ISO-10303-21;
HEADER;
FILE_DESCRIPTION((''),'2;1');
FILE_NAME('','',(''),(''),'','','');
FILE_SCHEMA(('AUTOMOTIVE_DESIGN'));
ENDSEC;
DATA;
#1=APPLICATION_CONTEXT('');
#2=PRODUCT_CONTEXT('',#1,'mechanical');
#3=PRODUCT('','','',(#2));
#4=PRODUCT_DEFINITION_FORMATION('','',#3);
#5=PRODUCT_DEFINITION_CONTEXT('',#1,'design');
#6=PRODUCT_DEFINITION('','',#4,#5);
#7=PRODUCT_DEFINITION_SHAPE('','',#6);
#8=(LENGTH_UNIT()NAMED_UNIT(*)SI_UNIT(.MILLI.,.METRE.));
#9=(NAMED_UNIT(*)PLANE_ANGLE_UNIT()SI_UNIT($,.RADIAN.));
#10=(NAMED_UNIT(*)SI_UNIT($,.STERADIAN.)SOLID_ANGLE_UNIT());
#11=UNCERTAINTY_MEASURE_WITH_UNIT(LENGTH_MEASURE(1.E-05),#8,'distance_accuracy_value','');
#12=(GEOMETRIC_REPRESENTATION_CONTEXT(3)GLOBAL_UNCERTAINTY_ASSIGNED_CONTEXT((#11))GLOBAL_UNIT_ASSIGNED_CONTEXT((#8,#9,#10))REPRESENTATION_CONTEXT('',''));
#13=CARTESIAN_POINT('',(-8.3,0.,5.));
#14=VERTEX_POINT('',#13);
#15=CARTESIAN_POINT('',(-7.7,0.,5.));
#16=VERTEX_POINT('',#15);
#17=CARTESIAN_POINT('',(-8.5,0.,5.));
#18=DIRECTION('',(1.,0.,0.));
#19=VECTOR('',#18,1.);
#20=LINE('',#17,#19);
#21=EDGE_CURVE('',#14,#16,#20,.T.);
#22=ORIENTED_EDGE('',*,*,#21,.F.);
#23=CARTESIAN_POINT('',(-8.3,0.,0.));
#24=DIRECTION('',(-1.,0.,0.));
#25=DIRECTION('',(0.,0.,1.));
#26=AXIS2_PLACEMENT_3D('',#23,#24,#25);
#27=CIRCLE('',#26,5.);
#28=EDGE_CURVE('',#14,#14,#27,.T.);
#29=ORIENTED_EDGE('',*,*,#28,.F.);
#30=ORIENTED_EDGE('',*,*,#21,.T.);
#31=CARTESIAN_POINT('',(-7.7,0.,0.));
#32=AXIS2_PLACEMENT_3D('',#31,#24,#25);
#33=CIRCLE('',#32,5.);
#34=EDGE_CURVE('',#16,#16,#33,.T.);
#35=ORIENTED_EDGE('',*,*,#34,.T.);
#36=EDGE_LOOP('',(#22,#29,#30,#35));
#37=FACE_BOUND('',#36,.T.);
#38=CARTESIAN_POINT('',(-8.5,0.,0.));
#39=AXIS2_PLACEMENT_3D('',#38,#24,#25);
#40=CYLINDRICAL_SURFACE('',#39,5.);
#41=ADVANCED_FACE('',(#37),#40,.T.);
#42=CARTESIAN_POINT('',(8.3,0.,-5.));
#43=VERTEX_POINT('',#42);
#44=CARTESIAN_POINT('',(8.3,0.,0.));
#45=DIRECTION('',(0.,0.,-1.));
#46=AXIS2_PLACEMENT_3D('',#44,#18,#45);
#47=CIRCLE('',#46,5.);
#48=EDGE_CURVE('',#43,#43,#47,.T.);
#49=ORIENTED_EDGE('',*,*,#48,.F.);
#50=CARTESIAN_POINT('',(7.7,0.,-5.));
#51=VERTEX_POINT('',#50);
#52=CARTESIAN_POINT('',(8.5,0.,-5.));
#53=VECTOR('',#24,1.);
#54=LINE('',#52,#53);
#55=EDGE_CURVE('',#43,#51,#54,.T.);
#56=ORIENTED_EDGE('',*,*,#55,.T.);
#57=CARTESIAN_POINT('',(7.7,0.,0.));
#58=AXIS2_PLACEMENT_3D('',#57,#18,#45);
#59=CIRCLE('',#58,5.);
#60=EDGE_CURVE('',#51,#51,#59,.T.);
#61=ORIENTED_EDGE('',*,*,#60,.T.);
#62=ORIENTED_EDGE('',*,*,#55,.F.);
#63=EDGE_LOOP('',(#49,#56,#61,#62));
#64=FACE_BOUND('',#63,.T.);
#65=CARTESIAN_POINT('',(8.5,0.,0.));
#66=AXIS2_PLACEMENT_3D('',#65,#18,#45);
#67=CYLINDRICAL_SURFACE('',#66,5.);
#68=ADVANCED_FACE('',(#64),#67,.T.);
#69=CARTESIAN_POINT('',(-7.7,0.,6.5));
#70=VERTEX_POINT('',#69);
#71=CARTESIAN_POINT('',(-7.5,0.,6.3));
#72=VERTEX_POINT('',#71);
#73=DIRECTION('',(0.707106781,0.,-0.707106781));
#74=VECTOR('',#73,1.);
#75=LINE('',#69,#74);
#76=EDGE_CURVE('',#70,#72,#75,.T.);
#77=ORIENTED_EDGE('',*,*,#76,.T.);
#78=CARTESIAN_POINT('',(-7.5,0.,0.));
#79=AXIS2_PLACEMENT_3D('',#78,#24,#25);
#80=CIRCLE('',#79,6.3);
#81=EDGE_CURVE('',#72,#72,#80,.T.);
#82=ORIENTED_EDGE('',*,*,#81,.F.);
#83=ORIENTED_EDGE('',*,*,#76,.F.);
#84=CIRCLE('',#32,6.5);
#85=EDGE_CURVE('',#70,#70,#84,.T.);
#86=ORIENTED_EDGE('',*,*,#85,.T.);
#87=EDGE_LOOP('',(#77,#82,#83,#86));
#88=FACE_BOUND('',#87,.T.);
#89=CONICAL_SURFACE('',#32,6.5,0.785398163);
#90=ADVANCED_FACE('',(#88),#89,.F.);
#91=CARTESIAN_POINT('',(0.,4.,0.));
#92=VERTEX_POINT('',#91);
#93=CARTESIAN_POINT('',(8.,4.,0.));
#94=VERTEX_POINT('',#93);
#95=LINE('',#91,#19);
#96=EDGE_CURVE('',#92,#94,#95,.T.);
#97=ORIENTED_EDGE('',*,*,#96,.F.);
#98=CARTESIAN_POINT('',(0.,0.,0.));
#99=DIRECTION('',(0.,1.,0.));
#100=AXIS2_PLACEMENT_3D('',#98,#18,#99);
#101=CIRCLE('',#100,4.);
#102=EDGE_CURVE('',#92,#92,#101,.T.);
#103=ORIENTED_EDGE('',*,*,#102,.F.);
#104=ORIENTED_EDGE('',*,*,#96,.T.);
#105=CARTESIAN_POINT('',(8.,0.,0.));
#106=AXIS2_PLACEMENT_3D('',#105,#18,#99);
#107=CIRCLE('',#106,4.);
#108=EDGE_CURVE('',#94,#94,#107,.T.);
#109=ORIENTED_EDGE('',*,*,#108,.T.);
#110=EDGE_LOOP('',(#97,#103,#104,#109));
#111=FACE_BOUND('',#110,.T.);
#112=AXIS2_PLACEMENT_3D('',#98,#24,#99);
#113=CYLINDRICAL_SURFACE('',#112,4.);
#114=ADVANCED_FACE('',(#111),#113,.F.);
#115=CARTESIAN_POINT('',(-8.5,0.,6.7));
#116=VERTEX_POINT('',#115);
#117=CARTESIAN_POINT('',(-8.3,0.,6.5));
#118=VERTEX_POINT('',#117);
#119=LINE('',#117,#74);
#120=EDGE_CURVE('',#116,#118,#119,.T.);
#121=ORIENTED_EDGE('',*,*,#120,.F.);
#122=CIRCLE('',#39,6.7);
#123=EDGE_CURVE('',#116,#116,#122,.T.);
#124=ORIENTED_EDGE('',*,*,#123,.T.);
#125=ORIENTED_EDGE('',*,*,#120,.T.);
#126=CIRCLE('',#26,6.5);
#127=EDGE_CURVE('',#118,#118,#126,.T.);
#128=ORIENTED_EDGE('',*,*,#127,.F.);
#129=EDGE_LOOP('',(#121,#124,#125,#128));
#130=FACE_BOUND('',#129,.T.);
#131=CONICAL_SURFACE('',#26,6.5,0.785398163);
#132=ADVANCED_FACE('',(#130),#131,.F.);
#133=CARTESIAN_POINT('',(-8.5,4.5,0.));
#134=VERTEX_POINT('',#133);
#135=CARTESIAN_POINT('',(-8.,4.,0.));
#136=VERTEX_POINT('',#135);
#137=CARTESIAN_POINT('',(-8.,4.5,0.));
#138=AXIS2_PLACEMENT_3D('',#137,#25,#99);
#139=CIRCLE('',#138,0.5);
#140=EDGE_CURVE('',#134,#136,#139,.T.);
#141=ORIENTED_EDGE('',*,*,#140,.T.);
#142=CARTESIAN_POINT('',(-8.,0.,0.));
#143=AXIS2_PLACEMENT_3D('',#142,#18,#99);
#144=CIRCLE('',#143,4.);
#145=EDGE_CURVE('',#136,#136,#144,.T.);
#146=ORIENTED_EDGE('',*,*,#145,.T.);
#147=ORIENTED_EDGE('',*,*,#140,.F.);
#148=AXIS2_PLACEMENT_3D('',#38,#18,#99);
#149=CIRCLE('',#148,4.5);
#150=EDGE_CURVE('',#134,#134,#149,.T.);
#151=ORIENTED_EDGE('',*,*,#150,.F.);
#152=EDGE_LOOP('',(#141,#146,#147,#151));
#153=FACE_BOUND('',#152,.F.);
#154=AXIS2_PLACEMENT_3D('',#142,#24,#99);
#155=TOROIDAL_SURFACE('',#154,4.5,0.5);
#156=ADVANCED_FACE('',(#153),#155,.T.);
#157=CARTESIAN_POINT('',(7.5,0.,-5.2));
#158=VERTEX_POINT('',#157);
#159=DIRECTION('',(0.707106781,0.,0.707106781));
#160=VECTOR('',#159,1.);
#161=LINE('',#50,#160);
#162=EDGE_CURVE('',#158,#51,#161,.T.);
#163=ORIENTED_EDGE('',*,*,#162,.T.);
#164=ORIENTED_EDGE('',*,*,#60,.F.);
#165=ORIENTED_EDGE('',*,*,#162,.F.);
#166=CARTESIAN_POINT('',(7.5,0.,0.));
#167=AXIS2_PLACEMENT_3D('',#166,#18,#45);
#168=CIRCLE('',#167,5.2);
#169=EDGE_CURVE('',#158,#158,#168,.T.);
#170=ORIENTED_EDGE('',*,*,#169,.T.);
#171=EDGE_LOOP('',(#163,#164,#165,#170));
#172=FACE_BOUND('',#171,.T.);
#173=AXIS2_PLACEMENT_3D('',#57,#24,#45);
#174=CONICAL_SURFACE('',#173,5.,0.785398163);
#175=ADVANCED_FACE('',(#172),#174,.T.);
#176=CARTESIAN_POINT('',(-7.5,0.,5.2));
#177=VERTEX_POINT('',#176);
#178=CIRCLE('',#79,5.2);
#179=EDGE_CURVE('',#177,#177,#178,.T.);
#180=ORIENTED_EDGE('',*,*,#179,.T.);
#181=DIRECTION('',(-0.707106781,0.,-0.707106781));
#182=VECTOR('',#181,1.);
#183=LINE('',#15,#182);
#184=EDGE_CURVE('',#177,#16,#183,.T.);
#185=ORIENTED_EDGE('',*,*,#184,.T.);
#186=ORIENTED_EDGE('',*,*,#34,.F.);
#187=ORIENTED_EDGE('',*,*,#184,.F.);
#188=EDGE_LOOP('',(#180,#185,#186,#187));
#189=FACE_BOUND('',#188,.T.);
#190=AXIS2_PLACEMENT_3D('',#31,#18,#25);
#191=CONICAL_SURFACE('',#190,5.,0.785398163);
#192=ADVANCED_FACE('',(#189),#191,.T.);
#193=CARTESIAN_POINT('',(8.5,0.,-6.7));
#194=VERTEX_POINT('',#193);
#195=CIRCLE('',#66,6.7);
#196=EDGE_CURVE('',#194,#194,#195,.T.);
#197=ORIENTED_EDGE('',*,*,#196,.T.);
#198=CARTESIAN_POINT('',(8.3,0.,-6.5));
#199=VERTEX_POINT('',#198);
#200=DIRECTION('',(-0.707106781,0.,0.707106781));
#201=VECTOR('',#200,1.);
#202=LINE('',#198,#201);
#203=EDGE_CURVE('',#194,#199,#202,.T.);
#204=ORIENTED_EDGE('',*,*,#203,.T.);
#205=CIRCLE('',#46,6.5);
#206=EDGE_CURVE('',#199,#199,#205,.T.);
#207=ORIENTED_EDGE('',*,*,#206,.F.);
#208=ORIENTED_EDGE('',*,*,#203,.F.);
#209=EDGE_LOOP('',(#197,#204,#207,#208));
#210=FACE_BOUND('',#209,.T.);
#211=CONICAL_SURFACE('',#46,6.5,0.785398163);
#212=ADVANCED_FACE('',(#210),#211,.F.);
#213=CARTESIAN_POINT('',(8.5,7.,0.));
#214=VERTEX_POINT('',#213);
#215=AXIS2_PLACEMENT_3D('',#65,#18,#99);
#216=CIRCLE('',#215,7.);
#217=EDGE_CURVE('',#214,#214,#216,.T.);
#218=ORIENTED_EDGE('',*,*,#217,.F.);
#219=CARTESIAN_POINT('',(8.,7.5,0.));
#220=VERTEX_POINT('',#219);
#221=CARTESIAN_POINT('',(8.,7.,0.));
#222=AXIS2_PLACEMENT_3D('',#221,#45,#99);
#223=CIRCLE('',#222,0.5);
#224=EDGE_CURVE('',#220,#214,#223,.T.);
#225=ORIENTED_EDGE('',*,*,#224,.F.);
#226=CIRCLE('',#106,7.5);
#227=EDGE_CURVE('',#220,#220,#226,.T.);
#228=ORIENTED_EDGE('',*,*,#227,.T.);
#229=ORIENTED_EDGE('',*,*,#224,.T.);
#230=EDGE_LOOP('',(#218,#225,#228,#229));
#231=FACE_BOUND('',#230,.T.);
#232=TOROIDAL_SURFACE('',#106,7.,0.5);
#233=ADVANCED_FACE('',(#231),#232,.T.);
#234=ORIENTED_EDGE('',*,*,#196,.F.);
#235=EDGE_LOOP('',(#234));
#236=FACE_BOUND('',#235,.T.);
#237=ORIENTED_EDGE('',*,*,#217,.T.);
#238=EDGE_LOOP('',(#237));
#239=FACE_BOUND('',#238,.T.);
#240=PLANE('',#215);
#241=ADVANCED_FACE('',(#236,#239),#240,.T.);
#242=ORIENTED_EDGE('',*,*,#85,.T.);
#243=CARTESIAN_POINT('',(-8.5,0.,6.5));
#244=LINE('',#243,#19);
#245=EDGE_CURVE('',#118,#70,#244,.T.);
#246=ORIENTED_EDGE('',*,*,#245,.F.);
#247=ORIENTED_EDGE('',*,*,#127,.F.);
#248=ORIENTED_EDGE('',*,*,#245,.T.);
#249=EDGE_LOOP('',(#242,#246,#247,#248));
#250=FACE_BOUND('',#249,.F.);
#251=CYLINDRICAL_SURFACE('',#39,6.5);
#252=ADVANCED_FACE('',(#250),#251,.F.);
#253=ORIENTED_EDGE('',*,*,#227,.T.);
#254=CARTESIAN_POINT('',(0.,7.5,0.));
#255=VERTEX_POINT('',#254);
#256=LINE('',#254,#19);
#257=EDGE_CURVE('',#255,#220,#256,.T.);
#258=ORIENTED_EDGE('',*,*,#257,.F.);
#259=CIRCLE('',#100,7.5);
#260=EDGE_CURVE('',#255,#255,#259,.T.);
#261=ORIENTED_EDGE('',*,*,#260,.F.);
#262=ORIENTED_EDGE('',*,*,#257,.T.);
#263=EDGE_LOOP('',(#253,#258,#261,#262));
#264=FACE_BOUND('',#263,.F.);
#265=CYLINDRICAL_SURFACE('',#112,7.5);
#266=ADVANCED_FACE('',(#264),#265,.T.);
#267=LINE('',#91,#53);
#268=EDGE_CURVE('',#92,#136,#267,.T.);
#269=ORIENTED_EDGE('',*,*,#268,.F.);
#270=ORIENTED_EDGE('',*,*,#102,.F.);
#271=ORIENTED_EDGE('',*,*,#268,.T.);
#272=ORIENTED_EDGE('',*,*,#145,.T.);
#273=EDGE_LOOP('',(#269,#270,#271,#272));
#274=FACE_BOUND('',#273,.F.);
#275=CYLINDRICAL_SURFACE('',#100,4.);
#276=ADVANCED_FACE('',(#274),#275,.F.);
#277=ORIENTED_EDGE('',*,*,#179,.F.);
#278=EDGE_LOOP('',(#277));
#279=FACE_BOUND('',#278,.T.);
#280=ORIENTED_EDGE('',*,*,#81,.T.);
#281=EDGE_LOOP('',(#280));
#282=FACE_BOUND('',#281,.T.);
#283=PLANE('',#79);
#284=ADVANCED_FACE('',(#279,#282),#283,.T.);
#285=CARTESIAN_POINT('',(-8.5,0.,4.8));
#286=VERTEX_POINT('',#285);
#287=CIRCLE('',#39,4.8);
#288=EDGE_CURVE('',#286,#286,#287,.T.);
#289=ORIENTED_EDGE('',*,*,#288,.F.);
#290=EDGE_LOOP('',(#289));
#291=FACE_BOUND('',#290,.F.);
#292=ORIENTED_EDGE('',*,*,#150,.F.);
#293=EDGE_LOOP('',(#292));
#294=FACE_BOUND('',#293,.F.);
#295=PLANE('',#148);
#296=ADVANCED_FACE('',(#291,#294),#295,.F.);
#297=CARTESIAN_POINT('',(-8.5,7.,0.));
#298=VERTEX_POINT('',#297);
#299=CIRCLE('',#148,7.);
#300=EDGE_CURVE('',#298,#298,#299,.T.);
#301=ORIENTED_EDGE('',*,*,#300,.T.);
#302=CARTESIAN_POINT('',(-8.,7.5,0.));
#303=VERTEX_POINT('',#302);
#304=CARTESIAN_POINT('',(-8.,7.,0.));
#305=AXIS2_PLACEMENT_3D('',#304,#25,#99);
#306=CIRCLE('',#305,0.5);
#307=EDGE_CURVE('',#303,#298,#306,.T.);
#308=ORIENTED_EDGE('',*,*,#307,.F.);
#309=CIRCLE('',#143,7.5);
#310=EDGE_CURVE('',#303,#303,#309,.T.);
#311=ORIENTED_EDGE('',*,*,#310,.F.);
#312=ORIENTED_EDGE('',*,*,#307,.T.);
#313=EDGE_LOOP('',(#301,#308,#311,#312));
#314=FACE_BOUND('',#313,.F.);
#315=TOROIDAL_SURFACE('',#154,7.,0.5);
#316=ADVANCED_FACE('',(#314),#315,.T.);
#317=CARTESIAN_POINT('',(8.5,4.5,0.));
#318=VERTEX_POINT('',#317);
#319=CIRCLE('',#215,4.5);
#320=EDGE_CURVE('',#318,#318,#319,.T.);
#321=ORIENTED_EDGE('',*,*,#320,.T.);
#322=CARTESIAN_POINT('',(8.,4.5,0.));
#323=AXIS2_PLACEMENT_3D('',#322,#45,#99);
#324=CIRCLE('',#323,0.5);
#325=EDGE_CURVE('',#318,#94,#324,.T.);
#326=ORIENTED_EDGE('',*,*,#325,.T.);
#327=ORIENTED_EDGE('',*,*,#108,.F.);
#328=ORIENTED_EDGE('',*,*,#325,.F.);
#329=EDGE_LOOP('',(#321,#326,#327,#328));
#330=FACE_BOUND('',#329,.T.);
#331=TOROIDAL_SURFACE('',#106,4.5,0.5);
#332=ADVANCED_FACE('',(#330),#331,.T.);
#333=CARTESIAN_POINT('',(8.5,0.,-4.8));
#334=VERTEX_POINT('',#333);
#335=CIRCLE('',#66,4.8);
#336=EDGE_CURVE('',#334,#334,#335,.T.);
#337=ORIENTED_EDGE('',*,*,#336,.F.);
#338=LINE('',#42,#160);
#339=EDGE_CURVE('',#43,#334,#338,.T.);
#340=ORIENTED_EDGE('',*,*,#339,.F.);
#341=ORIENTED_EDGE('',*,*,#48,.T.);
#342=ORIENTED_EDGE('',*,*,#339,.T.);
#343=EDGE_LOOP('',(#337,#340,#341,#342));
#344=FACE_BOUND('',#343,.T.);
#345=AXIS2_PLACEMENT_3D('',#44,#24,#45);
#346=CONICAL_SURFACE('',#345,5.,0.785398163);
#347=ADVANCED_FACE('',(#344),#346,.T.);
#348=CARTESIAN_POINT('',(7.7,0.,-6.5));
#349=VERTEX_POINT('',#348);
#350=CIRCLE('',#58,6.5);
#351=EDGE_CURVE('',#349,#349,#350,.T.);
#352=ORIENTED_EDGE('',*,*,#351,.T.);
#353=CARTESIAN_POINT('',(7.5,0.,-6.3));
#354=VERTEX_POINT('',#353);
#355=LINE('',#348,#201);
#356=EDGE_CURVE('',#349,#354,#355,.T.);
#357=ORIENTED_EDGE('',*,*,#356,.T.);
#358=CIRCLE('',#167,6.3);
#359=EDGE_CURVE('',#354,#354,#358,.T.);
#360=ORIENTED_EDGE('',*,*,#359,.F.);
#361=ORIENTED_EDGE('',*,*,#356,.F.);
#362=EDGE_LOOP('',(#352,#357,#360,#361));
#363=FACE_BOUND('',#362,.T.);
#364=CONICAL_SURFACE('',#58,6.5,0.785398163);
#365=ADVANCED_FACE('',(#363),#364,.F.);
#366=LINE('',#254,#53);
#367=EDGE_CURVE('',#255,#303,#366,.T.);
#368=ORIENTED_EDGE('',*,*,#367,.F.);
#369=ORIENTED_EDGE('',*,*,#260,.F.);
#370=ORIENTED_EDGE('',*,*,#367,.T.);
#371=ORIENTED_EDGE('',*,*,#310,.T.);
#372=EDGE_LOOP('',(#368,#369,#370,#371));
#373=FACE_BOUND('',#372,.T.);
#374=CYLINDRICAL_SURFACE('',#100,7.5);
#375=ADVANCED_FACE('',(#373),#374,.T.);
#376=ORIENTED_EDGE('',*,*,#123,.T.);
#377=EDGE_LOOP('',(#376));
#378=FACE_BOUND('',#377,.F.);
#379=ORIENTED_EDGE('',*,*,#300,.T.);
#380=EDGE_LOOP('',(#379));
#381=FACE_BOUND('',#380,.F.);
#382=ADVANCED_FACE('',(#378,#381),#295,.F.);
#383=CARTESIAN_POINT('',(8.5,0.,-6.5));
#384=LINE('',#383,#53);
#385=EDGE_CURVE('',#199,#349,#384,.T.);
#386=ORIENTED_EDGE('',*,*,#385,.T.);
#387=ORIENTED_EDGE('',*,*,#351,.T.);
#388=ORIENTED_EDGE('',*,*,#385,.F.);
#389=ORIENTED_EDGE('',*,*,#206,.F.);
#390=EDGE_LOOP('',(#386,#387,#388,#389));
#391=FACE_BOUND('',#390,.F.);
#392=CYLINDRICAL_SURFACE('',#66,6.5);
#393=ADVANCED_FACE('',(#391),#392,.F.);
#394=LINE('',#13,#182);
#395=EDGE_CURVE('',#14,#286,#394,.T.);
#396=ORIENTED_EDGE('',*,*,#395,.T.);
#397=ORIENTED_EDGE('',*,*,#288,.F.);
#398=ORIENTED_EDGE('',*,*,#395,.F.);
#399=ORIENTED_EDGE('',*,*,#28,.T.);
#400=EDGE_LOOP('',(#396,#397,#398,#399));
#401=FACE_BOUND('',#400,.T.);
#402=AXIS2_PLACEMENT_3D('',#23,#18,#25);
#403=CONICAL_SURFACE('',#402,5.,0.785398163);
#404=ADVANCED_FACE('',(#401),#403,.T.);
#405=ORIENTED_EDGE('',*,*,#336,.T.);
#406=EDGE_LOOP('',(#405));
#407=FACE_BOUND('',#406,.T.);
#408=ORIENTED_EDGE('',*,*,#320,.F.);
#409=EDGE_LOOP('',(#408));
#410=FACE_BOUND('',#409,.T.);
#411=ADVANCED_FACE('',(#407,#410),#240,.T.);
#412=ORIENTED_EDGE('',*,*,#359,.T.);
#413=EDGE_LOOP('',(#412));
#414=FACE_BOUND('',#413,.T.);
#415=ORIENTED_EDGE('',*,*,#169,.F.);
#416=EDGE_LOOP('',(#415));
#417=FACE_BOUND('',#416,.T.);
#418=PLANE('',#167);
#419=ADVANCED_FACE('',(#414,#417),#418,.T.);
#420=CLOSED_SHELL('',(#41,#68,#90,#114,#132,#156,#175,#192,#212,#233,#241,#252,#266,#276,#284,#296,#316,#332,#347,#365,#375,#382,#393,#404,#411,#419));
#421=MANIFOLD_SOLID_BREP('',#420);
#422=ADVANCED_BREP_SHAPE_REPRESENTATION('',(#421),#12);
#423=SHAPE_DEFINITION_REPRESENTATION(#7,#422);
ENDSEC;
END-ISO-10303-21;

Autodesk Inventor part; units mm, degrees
ref_plane "YZ Plane" through (0, 0, 0) normal (1, 0, 0) x (0, 1, 0)
ref_plane "XZ Plane" through (0, 0, 0) normal (0, 1, 0) x (-1, 0, 0)
ref_plane "XY Plane" through (0, 0, 0) normal (0, 0, 1) x (1, 0, 0)
sketch "Эскиз1" plane through (0, 0, 0) normal (1, 0, 0) x (0, 1, 0)
  circle A0 centre (0, 0) radius 7.5
  circle A1 centre (0, 0) radius 4
  dimension "d0" = 15
  dimension "d1" = 8
extrude "Выдавливание1" add sketch "Эскиз1" along normal mid plane 17
sketch "Эскиз2" plane through (8.5, 0, 0) normal (1, 0, 0) x (0, 0, -1)
  circle A0 centre (0, 0) radius 5
  circle A1 centre (0, 0) radius 6.5
  dimension "d4" = 10
  dimension "d5" = 13
extrude "Выдавливание2" cut sketch "Эскиз2" against normal blind 1
sketch "Эскиз3" plane through (-8.5, 0, 0) normal (-1, 0, 0) x (0, 0, 1)
  circle A0 centre (0, 0) radius 6.5
  circle A1 centre (0, 0) radius 5
  dimension "d9" = 13
  dimension "d10" = 10
extrude "Выдавливание3" cut sketch "Эскиз3" against normal blind 1
fillet "Сопряжение1" radius 0.5 1 edges at (-8.5, -7.5, 0)
fillet "Сопряжение2" radius 0.5 3 edges at (-8.5, -4, 0) (8.5, -7.5, 0) (8.5, -4, 0)
chamfer "Фаска1" distance 0.2 angle 45 8 edges at (8.5, 0, 5) (8.5, 0, 6.5) (-8.5, 0, -5) (-8.5, 0, -6.5) (-7.5, 0, -5) (-7.5, 0, -6.5) (7.5, 0, 6.5) (7.5, 0, 5)
properties part number "LM8SUU"
